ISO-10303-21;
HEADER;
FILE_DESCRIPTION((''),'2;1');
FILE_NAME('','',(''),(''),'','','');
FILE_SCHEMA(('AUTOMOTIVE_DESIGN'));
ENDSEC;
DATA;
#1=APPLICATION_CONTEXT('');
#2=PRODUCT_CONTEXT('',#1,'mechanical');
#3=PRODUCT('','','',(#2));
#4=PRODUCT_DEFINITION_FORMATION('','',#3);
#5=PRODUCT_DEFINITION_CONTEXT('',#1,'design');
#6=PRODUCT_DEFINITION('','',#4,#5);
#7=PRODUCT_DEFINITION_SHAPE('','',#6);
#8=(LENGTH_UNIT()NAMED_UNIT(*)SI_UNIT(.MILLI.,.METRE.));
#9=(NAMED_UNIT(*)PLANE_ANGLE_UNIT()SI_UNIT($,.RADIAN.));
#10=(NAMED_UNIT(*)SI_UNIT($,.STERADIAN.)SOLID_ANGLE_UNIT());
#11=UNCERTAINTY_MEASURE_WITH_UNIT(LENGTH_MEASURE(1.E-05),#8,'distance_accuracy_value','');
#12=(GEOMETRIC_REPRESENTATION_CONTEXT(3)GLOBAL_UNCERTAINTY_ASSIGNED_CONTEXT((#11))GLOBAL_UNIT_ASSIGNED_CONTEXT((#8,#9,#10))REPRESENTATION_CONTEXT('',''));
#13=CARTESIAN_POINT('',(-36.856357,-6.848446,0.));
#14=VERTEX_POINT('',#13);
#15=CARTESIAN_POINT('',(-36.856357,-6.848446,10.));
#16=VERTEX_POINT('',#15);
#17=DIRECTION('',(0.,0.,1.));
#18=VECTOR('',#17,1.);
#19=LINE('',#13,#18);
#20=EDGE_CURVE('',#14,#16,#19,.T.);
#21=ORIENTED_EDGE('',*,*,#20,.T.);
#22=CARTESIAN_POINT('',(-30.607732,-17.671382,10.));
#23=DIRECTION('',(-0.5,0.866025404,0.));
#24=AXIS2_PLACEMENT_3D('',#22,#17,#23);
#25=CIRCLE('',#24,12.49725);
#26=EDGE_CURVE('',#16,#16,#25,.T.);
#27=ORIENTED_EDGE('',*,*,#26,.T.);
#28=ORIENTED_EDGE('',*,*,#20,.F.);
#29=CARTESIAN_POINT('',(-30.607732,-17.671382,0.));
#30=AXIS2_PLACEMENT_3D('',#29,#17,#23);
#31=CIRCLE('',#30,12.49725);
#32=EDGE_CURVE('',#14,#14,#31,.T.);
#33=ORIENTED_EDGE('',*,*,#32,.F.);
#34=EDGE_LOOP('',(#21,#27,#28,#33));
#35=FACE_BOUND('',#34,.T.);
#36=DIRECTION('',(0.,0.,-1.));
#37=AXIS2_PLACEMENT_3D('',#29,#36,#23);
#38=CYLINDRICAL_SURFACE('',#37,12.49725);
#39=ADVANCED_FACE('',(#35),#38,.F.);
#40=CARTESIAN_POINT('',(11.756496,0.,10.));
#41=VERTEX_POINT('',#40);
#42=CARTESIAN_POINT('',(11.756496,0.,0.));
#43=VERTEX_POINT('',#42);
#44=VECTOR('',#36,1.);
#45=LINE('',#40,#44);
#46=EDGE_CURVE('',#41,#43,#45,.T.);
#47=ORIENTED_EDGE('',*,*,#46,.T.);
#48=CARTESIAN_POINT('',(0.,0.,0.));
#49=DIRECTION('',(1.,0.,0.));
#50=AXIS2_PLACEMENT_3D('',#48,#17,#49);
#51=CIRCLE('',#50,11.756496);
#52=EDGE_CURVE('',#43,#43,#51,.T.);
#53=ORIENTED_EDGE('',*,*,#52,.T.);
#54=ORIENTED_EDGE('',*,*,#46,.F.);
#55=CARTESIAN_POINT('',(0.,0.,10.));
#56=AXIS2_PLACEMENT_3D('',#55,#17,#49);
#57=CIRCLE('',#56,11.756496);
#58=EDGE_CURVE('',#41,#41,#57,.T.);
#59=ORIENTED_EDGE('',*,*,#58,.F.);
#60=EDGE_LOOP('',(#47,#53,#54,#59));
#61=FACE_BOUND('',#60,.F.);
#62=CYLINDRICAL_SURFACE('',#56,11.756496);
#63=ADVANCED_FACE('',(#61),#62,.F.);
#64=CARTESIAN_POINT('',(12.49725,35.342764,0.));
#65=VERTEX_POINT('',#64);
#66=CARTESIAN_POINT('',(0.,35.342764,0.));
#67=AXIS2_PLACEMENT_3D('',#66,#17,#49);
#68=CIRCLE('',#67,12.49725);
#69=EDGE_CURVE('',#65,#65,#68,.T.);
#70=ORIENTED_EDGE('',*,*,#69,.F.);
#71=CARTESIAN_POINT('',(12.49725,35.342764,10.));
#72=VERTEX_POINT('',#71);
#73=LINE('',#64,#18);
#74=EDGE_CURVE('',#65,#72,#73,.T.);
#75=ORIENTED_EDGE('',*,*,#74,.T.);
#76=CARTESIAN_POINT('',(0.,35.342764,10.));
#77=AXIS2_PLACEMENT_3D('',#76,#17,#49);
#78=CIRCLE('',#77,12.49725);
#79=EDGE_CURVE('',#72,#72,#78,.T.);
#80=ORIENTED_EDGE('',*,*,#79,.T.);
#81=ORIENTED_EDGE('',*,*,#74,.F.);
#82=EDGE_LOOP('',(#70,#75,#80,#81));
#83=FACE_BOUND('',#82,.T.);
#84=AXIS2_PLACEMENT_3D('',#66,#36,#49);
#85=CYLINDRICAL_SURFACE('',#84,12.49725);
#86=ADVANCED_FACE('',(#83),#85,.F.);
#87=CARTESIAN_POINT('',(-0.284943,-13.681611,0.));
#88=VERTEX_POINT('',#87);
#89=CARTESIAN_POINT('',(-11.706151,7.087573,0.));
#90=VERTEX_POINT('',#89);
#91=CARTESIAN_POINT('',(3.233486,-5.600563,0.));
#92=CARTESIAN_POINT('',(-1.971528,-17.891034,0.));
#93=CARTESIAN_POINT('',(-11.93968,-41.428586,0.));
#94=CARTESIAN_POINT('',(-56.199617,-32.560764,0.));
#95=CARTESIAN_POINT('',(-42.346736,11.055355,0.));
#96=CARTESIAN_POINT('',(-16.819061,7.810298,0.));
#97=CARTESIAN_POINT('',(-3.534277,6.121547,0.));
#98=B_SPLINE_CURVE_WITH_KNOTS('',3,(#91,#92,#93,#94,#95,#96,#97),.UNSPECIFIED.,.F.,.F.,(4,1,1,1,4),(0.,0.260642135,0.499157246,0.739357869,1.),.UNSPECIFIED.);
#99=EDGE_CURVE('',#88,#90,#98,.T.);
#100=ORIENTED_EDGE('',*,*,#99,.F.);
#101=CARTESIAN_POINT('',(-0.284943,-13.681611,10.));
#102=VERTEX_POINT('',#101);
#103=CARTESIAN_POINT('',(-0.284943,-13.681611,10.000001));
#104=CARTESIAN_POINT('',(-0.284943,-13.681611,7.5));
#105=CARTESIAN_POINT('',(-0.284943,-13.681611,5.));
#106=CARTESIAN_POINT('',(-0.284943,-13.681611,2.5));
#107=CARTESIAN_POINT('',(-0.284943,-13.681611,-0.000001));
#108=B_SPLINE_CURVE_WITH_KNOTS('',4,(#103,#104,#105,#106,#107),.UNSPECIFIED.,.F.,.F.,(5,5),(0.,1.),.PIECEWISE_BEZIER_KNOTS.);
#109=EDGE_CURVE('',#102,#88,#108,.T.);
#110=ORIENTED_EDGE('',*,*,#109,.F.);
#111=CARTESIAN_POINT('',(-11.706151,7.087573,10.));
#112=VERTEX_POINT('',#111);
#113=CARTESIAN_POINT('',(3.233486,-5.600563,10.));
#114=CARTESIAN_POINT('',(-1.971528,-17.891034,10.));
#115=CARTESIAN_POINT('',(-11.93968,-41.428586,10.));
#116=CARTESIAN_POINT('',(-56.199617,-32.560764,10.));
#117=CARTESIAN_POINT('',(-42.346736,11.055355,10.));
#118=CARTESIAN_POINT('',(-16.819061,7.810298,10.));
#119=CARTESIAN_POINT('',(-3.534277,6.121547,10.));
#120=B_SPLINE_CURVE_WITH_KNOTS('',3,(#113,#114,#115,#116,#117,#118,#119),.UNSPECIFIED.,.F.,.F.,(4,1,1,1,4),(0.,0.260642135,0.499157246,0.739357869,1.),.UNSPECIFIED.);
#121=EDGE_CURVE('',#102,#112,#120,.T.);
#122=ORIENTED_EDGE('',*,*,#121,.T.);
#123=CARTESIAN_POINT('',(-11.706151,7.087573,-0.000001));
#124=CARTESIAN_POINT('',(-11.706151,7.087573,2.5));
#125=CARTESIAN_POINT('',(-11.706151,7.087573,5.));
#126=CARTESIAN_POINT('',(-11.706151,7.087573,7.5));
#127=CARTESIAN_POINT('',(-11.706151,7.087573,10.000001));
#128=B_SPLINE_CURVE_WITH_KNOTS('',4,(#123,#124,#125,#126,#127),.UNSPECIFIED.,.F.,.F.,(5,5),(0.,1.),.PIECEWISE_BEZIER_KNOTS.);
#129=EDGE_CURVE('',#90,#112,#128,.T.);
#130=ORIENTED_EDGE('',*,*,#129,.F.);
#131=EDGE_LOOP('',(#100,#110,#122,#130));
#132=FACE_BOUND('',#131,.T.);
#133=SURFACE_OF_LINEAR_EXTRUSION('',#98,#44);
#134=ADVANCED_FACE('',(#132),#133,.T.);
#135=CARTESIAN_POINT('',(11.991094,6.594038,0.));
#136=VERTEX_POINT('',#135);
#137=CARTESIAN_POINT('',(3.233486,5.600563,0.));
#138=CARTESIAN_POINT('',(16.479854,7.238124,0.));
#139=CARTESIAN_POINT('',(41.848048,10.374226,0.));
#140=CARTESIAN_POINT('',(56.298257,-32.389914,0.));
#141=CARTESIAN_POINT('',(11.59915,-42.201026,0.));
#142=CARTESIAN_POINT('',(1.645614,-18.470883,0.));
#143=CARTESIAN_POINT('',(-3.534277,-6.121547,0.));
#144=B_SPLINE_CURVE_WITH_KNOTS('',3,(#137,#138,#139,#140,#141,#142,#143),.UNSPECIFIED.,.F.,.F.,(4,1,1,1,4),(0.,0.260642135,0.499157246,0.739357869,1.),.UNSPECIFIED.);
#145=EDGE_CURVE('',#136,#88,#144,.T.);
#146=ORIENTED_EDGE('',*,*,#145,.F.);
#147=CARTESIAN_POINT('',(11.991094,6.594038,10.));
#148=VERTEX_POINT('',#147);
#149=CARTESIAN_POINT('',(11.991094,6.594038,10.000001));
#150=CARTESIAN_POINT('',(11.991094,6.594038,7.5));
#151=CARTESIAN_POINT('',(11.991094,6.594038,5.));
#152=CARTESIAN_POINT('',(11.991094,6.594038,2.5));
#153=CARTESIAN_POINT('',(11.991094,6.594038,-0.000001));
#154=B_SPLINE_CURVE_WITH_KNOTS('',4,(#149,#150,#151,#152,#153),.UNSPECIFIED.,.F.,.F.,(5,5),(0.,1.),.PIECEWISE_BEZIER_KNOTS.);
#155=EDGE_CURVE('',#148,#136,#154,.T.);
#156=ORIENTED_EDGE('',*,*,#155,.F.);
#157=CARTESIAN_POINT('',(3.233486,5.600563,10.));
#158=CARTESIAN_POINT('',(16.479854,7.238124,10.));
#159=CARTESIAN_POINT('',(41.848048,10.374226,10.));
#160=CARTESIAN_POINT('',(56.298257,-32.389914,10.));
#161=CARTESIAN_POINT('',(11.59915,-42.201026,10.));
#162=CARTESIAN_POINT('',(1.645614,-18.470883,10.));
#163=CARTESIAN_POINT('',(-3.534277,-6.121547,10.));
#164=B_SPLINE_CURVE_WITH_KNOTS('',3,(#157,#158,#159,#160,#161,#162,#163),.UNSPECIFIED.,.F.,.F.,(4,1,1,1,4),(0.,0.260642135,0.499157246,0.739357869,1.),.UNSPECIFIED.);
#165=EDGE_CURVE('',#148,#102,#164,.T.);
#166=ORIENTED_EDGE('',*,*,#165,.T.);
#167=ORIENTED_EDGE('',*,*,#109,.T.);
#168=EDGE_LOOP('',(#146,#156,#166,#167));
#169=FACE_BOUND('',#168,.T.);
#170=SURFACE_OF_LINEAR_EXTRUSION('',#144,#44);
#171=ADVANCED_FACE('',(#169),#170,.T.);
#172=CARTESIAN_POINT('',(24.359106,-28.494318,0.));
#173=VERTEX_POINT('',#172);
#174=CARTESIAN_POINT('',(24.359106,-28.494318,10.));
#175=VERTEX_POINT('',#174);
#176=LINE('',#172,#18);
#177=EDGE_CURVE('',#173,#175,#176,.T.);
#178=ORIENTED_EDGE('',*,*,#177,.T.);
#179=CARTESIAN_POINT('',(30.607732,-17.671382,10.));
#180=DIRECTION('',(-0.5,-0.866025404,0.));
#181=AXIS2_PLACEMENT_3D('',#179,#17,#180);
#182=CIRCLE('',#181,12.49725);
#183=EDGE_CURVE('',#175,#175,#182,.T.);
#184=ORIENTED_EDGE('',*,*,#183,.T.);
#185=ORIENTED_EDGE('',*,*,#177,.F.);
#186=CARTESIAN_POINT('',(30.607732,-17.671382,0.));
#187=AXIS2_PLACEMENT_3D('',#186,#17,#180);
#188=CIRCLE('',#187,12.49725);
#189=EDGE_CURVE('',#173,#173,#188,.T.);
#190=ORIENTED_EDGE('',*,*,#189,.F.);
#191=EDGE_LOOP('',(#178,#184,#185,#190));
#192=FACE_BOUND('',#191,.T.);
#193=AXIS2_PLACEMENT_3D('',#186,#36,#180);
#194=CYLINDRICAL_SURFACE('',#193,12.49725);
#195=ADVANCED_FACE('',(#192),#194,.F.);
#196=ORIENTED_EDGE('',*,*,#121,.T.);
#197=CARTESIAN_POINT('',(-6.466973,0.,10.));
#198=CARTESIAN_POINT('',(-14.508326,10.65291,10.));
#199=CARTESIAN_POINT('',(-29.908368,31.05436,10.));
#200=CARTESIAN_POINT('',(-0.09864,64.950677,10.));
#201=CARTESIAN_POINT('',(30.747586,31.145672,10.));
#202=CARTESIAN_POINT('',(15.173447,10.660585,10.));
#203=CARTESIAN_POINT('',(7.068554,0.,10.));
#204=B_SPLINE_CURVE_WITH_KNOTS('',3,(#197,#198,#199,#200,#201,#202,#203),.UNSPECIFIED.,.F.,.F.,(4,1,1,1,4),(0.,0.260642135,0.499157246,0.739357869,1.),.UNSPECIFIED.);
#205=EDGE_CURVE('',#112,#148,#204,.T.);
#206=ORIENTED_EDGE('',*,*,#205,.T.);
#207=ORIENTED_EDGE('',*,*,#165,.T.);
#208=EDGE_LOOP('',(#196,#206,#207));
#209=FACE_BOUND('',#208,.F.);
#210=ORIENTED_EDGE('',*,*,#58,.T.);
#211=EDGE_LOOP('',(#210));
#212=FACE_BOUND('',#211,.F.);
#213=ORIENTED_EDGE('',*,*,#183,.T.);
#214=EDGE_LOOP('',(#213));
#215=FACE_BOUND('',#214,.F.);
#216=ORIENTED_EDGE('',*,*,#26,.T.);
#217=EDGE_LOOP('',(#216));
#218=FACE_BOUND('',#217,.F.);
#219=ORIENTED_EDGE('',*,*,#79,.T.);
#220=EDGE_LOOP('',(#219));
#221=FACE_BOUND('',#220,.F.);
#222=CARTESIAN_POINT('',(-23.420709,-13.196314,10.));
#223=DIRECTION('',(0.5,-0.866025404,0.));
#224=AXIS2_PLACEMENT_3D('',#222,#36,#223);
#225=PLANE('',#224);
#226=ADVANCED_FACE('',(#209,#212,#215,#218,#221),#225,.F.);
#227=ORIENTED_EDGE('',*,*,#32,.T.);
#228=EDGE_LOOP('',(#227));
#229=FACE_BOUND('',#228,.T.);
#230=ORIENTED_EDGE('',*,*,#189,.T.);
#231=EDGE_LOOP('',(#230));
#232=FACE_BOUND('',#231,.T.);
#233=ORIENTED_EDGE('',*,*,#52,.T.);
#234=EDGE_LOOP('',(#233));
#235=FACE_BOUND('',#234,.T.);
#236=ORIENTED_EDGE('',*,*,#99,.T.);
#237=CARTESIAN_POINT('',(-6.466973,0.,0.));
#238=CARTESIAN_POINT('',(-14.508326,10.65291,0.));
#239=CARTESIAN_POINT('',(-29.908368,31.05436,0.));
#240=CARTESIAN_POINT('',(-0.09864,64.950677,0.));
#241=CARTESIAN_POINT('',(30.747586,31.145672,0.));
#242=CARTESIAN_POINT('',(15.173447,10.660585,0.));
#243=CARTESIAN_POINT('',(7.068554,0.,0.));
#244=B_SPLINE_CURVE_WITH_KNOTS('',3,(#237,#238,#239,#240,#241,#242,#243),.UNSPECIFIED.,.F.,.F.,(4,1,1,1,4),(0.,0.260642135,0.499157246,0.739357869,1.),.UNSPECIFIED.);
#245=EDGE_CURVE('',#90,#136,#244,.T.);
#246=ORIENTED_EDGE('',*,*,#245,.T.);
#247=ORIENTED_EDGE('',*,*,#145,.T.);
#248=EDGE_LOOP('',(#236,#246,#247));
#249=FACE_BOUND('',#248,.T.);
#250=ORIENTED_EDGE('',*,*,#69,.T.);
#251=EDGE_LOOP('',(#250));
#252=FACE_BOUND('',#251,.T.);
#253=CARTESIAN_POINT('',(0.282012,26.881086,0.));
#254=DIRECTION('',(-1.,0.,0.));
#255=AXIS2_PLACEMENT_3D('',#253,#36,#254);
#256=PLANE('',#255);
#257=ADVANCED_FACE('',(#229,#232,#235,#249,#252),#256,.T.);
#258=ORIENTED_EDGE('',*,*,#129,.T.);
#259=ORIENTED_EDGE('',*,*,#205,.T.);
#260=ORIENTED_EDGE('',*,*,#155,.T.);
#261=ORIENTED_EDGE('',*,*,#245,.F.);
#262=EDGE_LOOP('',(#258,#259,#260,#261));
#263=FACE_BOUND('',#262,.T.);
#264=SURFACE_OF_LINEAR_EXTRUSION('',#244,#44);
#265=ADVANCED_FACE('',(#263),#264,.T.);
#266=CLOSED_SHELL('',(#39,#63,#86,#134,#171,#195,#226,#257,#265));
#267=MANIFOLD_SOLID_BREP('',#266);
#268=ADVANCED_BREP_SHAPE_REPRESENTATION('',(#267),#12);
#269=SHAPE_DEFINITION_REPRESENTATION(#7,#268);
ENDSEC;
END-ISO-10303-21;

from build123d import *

# Parameters (mm, degrees)
F2_DEPTH = 10
F1_R     = 12.4972501237
F3_DEPTH = 10
F5_COUNT = 3
F7_R     = 11.7564956946
F8_DEPTH = 25


with BuildPart() as f2:
    # F0 (on Top) → F2 (new body)
    with BuildSketch(Plane.XY):
        with BuildLine():
            add(Edge.make_bspline(
                [(-6.4669726416, 0), (-14.5083259359, 10.6529102033), (-29.9083676831, 31.0543595436), (-0.0986403159, 64.9506774693), (30.7475860755, 31.1456715655), (15.1734467914, 10.6605848326), (7.0685539395, 0)],
                knots=[0, 0, 0, 0, 0.2606421354, 0.4991572462, 0.7393578687, 1, 1, 1, 1], degree=3))
            Line((-6.4669726416, 0), (7.0685539395, 0))
        make_face()
    extrude(amount=F2_DEPTH)

    # F1 (on face) → F3 (cut)
    with BuildSketch(Plane.XY):
        with Locations((0, 35.3427641094)):
            Circle(F1_R)
    extrude(amount=F3_DEPTH, mode=Mode.SUBTRACT)


with BuildPart() as f5_1:
    # F5: instance of F2
    add(f2.part.rotate(Axis((0, 0, 13.7014295906), (0, 0, 1)), 1 * 360 / F5_COUNT))


with BuildPart() as f5_2:
    # F5: instance of F2
    add(f2.part.rotate(Axis((0, 0, 13.7014295906), (0, 0, 1)), 2 * 360 / F5_COUNT))


with BuildPart() as f2_1:
    add(f2.part)

    # F6: union F5_2, F5_1
    add(f5_2.part)
    add(f5_1.part)

    # F7 (on face) → F8 (cut)
    with BuildSketch(Plane.XY.offset(10)):
        Circle(F7_R)
    extrude(amount=-F8_DEPTH, mode=Mode.SUBTRACT)


solid = f2_1.part
